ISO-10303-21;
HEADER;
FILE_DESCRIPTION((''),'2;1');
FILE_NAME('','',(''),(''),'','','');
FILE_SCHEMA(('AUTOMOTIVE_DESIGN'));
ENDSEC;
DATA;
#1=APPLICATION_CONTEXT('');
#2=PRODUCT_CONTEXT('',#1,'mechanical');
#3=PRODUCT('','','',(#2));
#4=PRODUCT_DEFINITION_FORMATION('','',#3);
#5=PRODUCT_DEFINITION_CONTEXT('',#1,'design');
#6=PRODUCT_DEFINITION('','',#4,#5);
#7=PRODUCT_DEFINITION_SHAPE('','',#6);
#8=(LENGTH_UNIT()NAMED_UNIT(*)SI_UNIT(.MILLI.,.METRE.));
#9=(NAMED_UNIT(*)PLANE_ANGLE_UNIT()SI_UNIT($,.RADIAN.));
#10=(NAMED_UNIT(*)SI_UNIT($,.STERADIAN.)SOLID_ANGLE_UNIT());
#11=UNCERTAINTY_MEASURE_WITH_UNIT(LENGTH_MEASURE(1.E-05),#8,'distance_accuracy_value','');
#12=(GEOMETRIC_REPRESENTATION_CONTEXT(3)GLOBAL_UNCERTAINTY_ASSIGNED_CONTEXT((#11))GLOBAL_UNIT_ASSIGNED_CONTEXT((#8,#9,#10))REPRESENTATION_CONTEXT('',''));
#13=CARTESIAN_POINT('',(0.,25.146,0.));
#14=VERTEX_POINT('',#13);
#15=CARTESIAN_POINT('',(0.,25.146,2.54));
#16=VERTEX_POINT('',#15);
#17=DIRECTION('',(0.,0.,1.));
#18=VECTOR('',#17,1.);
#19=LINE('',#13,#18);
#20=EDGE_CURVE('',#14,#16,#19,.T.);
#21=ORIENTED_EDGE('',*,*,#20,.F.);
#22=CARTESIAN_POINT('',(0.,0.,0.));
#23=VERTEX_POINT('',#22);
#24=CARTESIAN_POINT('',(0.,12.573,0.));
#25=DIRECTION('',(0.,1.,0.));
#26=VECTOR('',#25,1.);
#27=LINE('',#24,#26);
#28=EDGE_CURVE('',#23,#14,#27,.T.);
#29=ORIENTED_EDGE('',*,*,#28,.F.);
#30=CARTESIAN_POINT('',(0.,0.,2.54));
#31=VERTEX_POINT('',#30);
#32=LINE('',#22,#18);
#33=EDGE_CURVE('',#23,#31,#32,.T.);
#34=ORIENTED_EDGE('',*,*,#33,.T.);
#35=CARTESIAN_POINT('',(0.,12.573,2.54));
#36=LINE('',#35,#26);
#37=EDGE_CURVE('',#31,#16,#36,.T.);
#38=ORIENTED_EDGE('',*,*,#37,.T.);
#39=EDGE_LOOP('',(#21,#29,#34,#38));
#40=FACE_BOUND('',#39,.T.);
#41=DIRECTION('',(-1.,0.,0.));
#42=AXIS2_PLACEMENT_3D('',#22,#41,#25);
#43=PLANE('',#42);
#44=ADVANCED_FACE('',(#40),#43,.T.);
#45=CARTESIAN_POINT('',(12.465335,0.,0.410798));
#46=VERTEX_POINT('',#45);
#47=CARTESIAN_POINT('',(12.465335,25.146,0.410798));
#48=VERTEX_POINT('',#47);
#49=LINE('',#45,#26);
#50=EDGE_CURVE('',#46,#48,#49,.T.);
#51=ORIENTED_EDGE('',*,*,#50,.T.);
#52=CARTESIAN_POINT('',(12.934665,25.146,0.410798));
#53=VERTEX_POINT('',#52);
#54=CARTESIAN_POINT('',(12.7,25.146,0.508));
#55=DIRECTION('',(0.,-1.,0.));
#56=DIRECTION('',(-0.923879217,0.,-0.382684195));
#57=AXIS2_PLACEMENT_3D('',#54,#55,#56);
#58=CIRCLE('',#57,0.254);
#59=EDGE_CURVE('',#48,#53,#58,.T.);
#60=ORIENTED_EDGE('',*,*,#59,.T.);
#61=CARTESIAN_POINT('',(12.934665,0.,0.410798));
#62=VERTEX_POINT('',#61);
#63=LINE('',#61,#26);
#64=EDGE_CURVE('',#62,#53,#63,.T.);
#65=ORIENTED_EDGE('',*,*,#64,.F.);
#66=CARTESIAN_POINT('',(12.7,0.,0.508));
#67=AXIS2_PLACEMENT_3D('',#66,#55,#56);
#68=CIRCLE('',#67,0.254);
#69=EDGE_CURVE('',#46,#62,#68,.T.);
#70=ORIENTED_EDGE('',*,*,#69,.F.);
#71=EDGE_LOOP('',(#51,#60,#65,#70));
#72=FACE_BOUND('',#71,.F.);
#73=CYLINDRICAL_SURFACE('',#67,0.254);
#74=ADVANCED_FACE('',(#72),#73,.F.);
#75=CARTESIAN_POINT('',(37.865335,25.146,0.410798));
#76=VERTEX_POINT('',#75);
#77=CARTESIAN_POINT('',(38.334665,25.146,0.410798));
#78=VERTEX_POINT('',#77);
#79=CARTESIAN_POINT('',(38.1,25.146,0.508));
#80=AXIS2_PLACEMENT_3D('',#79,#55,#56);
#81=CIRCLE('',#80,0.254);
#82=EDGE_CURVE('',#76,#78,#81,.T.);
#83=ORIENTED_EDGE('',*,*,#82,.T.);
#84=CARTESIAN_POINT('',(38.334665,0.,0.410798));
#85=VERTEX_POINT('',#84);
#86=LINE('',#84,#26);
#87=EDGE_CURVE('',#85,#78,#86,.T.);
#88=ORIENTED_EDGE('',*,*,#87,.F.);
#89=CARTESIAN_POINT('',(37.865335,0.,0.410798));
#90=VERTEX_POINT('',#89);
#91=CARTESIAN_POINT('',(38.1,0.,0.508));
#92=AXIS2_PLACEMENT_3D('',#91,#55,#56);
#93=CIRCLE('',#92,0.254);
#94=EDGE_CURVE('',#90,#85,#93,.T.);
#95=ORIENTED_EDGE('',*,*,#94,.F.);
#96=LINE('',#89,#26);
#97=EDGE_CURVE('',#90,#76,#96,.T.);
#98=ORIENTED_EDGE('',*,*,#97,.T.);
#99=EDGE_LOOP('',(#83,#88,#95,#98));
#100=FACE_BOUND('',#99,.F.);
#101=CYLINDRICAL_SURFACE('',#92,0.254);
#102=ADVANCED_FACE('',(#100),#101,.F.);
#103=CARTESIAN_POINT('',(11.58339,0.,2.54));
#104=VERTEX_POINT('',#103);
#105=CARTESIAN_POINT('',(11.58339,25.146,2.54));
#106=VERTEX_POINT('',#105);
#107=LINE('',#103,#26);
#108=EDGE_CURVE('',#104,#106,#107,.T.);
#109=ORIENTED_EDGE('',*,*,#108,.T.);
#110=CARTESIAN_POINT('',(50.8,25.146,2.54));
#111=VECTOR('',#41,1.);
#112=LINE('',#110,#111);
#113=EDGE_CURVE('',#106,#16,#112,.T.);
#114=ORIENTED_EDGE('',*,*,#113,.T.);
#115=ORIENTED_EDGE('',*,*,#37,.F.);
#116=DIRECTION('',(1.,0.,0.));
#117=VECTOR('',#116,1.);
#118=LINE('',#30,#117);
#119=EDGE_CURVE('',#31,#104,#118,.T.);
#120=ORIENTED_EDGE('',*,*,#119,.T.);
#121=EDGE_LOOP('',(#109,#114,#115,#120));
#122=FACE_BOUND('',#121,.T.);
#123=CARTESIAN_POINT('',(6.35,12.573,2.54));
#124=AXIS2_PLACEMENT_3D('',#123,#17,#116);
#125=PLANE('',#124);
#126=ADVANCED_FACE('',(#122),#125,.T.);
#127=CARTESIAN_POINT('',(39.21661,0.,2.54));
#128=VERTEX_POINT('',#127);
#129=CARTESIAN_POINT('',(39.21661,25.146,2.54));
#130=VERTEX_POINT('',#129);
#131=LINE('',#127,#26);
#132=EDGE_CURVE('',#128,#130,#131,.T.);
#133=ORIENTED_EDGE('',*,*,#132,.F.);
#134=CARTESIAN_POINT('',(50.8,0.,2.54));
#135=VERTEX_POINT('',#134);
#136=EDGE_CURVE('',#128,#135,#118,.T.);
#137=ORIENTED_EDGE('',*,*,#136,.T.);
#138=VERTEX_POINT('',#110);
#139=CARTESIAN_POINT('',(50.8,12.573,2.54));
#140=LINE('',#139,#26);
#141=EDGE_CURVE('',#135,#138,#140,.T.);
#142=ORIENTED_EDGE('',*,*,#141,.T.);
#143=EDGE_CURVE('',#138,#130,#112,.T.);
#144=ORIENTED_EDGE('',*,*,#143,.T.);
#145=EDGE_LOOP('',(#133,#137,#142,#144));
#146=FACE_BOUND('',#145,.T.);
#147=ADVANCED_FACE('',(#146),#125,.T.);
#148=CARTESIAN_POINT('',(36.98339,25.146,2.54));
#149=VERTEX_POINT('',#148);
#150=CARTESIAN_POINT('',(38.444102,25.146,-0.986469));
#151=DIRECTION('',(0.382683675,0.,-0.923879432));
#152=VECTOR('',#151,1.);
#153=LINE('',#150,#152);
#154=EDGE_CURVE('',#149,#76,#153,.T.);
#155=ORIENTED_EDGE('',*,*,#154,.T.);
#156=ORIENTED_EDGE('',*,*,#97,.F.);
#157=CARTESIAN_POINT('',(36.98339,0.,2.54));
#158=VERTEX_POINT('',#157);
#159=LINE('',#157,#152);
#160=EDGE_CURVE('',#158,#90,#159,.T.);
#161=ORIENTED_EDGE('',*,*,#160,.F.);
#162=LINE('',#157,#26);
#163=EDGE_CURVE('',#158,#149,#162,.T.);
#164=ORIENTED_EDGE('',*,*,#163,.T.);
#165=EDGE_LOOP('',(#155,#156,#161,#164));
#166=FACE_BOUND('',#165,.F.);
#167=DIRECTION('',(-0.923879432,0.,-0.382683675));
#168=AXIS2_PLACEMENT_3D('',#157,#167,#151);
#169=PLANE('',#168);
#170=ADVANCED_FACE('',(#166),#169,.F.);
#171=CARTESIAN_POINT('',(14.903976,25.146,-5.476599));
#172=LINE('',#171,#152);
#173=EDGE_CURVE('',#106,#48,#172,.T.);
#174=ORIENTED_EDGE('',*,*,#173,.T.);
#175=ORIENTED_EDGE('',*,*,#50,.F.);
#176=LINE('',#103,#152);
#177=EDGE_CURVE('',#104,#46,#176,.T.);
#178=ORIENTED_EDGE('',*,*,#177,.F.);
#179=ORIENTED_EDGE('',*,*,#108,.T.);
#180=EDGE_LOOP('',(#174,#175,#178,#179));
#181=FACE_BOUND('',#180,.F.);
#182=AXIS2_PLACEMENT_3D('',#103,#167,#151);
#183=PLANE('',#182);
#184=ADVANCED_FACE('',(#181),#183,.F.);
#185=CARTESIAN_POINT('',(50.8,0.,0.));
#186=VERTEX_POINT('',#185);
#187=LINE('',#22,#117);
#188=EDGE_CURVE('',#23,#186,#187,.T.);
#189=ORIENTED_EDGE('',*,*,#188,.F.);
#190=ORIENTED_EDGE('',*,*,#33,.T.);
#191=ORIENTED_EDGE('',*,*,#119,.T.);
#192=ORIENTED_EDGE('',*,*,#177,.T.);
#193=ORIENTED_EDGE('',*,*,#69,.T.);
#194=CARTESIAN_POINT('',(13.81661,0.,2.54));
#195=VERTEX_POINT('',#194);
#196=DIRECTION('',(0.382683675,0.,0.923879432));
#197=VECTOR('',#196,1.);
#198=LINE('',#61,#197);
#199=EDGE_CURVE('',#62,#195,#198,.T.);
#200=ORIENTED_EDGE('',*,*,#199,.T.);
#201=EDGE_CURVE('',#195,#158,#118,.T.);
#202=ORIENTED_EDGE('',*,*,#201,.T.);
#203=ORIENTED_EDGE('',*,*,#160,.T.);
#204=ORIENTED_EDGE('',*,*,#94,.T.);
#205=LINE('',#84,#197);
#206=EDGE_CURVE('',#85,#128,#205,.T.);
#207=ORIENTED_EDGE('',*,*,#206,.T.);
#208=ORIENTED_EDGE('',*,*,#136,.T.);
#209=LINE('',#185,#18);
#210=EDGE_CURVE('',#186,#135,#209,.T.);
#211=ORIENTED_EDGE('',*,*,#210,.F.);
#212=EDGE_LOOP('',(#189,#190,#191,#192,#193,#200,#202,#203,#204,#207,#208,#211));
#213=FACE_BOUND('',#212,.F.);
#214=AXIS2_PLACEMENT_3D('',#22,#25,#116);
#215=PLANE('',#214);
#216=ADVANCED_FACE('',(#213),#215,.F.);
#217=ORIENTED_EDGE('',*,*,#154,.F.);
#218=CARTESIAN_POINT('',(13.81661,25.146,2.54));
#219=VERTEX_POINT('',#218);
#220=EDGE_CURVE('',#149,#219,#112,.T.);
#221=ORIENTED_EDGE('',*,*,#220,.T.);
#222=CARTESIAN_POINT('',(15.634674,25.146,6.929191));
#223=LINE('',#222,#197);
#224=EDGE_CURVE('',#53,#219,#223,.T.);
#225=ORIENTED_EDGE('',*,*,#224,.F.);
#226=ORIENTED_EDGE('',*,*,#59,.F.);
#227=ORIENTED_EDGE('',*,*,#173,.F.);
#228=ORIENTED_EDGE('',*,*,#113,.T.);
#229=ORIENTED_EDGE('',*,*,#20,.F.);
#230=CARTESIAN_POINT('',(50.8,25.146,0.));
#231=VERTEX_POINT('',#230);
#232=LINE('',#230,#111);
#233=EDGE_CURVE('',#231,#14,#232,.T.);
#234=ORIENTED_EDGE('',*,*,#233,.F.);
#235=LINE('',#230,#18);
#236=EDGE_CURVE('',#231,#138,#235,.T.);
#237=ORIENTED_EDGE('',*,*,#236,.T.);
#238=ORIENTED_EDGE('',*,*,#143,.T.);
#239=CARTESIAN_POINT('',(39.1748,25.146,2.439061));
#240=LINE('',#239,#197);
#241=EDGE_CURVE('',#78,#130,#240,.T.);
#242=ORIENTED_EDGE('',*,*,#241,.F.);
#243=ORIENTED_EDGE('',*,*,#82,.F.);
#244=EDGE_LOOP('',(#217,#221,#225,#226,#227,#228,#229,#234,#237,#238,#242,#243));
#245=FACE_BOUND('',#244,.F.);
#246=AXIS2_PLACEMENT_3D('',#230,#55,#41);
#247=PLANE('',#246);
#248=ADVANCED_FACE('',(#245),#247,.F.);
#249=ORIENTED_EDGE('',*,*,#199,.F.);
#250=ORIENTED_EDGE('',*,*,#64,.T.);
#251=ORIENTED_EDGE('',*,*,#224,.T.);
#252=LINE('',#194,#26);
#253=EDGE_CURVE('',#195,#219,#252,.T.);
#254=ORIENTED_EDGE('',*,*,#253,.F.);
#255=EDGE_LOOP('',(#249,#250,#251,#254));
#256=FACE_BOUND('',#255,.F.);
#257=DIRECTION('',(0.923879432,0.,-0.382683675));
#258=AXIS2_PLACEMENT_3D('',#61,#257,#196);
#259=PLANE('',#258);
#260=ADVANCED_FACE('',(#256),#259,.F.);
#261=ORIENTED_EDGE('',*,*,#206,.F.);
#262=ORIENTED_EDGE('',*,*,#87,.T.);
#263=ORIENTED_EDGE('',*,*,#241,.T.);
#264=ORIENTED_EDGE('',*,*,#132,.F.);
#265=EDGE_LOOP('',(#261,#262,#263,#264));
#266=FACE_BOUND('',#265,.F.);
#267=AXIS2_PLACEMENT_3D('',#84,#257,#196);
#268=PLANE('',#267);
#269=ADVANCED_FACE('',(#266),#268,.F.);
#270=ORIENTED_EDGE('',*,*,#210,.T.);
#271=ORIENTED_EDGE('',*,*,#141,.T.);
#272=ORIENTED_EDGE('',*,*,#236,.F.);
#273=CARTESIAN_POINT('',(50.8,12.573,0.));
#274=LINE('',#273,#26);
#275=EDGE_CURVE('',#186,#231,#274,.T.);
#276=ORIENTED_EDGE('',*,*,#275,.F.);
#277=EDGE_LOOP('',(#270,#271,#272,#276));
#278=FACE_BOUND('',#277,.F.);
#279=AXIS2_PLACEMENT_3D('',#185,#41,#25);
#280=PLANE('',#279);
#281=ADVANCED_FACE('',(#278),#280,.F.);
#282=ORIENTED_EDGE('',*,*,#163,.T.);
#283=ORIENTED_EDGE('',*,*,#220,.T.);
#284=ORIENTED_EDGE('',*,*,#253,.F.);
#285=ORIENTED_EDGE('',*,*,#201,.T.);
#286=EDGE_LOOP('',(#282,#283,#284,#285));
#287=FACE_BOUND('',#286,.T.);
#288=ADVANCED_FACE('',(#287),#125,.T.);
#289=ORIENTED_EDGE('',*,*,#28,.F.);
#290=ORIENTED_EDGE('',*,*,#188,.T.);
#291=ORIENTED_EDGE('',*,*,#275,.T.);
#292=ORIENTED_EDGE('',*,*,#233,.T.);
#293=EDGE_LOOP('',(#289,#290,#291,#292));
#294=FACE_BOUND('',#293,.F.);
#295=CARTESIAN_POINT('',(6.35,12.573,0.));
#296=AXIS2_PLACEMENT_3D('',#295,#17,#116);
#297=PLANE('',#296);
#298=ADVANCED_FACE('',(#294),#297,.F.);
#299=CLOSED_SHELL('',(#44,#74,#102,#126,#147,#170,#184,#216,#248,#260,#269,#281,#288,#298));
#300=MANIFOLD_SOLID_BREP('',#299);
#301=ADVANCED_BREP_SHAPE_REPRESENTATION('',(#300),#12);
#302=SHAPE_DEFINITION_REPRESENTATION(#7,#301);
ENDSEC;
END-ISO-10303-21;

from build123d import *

# Parameters (mm, degrees)
F0_W     = 12.7
F0_H     = 25.146
F0_W_2   = 25.4
F1_DEPTH = 2.54
F3_DEPTH = 25.147


with BuildPart() as f1:
    # F0 (on Top) → F1 (new body)
    with BuildSketch(Plane.XY):
        with Locations((6.35, 12.573)):
            Rectangle(F0_W, F0_H)
        with Locations((25.4, 12.573)):
            Rectangle(F0_W_2, F0_H)
        with Locations((44.45, 12.573)):
            Rectangle(F0_W, F0_H)
    extrude(amount=F1_DEPTH)

    # F2 (on face) → F3 (cut, through all)
    with BuildSketch(Plane.XZ):
        with BuildLine():
            Line((13.81661, 2.54), (11.58339, 2.54))
            Line((11.58339, 2.54), (12.465335, 0.410798))
            ThreePointArc((12.465335, 0.410798), (12.7, 0.254), (12.934665, 0.410798))
            Line((12.934665, 0.410798), (13.81661, 2.54))
        make_face()
        with BuildLine():
            Line((39.21661, 2.54), (36.98339, 2.54))
            Line((36.98339, 2.54), (37.865335, 0.410798))
            ThreePointArc((37.865335, 0.410798), (38.1, 0.254), (38.334665, 0.410798))
            Line((38.334665, 0.410798), (39.21661, 2.54))
        make_face()
    extrude(amount=-F3_DEPTH, mode=Mode.SUBTRACT)


solid = f1.part
